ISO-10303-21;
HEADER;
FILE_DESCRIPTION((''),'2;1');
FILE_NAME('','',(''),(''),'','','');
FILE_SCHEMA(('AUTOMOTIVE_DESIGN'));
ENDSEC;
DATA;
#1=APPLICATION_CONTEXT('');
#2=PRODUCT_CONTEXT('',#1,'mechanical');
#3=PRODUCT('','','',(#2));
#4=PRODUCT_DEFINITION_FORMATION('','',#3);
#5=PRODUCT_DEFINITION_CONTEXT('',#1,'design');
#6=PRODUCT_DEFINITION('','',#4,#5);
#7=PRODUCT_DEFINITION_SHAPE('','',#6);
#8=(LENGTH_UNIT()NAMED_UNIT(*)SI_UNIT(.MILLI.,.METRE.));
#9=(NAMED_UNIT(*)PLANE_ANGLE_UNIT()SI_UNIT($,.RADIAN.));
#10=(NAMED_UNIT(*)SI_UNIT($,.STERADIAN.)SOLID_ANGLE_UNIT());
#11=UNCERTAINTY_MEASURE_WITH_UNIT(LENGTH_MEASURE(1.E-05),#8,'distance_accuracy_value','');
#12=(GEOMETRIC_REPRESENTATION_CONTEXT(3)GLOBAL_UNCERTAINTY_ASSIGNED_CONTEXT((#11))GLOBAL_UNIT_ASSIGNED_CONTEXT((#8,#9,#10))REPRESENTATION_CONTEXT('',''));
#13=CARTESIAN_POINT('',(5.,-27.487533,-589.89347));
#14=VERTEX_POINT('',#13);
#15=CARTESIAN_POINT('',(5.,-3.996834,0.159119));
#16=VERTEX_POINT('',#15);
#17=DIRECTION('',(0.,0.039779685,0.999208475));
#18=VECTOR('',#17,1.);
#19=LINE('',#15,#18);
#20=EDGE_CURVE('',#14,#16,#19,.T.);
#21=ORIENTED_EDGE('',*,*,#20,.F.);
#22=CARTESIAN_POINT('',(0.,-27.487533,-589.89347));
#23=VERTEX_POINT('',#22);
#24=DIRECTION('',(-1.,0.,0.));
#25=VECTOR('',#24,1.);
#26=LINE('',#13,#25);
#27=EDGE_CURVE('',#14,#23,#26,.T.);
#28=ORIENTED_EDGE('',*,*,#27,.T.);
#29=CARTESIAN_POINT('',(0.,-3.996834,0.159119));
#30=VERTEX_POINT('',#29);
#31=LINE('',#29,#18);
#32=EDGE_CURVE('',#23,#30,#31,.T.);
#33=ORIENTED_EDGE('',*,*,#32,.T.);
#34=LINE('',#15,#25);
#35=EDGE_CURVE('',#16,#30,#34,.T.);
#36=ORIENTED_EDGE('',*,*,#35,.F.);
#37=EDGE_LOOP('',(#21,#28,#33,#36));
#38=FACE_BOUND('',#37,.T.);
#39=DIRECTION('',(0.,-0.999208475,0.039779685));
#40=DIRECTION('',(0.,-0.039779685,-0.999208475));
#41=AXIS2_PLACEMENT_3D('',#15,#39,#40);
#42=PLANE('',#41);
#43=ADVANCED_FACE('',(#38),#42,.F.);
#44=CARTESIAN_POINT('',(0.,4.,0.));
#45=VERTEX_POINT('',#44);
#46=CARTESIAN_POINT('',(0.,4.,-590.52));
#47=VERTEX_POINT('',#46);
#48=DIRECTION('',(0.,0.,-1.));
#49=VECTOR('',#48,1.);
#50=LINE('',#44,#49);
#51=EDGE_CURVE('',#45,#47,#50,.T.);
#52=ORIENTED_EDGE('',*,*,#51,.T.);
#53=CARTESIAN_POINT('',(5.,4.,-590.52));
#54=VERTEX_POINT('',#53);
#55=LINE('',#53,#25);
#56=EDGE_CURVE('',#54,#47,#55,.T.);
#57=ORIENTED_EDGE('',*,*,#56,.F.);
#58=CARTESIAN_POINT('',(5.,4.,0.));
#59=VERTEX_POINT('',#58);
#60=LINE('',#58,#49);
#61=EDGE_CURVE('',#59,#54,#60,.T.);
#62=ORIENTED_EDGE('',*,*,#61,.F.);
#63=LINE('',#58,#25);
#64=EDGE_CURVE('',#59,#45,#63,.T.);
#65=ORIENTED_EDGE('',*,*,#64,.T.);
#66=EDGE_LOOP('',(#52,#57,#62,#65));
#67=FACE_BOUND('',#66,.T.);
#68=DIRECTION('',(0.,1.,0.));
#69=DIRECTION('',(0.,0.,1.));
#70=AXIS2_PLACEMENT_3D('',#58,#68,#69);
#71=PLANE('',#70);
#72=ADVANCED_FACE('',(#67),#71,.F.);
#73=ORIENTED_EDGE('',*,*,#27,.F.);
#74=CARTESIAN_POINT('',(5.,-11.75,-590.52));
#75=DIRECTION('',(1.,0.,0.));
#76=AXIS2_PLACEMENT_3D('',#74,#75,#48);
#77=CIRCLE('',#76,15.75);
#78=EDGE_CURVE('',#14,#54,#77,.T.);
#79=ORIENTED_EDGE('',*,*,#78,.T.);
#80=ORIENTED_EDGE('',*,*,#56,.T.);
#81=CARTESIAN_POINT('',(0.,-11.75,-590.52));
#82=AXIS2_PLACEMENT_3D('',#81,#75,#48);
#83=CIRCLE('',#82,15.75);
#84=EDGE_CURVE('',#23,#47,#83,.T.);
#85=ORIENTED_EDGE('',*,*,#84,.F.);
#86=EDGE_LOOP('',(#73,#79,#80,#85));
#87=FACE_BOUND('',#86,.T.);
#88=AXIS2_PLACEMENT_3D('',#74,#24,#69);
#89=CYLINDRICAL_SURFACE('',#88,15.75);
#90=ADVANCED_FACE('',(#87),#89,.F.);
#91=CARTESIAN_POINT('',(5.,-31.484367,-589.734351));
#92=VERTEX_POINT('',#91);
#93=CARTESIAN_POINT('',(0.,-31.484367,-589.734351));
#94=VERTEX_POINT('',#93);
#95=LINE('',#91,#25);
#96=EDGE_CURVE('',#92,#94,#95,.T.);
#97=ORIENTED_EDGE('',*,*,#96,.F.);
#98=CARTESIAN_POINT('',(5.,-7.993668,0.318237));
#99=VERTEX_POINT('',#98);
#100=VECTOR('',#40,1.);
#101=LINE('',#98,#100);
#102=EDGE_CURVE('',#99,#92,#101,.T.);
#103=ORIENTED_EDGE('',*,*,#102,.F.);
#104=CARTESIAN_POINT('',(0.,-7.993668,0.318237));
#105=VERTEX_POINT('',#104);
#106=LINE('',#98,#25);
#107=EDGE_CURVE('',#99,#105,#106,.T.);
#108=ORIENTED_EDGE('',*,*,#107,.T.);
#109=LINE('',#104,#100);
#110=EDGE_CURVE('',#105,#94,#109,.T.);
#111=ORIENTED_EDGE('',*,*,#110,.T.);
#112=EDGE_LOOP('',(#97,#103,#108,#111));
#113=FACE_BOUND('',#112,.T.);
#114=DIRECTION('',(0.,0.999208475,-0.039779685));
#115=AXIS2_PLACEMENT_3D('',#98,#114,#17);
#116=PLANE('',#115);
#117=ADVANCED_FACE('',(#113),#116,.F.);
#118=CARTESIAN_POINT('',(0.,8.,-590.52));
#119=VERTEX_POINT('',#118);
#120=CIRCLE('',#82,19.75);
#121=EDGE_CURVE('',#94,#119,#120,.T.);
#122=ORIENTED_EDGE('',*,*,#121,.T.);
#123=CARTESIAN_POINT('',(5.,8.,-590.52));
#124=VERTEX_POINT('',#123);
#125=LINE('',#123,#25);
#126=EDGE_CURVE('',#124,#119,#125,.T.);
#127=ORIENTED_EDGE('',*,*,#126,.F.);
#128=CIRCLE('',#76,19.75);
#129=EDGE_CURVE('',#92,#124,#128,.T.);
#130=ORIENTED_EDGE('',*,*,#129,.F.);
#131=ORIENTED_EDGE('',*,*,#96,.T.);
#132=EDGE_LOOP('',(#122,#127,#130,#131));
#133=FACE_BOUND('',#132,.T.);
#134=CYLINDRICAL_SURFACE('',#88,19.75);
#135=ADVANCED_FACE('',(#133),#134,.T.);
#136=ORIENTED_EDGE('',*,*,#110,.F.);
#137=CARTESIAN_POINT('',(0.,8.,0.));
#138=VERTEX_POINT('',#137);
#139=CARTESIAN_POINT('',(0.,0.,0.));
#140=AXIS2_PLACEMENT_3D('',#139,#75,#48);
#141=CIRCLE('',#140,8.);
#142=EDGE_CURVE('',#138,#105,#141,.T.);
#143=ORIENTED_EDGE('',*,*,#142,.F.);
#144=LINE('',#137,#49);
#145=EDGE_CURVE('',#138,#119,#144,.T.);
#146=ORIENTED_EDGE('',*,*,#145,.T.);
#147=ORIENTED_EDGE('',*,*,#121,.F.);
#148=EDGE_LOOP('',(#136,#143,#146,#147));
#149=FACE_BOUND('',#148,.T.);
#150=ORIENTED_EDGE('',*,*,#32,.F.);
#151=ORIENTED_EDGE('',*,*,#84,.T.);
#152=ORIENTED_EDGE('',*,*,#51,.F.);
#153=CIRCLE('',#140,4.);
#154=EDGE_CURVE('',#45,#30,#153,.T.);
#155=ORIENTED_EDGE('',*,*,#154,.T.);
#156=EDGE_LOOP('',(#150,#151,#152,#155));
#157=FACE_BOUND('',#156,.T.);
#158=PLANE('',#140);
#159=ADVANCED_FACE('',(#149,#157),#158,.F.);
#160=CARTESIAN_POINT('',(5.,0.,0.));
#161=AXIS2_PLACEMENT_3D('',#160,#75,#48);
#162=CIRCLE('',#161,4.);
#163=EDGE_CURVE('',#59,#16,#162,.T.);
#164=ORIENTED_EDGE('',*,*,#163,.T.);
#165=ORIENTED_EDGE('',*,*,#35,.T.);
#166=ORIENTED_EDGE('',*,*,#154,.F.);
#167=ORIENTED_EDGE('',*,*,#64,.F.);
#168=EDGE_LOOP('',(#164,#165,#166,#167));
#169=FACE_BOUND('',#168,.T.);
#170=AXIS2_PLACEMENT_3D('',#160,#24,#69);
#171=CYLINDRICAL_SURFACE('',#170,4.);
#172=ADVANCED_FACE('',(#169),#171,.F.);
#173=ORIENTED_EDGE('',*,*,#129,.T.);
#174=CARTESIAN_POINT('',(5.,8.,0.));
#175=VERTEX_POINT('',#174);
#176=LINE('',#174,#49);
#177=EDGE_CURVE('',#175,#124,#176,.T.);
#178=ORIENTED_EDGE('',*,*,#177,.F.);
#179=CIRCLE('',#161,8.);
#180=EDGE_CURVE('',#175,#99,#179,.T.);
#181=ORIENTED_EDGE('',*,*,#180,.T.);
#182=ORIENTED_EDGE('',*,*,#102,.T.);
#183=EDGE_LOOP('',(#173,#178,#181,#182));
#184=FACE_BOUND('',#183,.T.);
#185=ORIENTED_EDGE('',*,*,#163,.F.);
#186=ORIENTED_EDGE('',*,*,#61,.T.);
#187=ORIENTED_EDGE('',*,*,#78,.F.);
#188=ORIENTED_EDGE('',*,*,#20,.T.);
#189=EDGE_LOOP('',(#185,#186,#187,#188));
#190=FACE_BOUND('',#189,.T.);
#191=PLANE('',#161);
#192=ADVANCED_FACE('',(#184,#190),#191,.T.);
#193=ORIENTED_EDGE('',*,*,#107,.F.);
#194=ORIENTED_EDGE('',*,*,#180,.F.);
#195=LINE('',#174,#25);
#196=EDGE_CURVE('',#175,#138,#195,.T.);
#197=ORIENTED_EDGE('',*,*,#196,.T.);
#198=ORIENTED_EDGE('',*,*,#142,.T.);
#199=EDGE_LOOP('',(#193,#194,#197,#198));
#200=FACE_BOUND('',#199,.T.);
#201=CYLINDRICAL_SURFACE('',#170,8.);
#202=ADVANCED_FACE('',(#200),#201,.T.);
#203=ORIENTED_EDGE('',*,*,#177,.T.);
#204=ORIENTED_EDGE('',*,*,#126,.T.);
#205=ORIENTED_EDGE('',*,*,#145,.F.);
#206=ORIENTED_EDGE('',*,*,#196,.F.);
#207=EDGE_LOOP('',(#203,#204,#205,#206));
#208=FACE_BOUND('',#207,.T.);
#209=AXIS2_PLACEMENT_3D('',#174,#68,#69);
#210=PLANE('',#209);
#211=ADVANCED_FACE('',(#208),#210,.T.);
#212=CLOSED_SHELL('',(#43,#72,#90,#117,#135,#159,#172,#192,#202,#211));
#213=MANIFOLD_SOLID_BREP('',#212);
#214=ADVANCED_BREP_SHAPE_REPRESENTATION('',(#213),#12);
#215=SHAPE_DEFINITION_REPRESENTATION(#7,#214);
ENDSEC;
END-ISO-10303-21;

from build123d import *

# Parameters (mm, degrees)
EXTRUDE_1_DEPTH = 5


with BuildPart() as part:
    # ｽｹｯﾁ1 → ﾎﾞｽ - 押し出し1 (new body)
    with BuildSketch(Plane(origin=(0, 0, 0), x_dir=(0, 0, -1), z_dir=(1, 0, 0))):
        with BuildLine():
            Line((590.52, 8), (0, 8))
            ThreePointArc((0, 8), (-7.998416793, 0.159150236), (-0.31823748, -7.993667801))
            Line((-0.31823748, -7.993667801), (589.734351221, -31.484367383))
            ThreePointArc((589.734351221, -31.484367383), (610.266091459, -12.142902145), (590.52, 8))
        make_face()
        with BuildLine():
            ThreePointArc((-0.15911874, -3.9968339), (-3.999208397, 0.079575118), (0, 4))
            Line((0, 4), (590.52, 4))
            ThreePointArc((590.52, 4), (601.656931804, -0.613068196), (606.27, -11.75))
            ThreePointArc((606.27, -11.75), (601.43317213, -23.106283461), (589.893469961, -27.487533482))
            Line((589.893469961, -27.487533482), (-0.15911874, -3.9968339))
        make_face(mode=Mode.SUBTRACT)
    extrude(amount=EXTRUDE_1_DEPTH)


solid = part.part
